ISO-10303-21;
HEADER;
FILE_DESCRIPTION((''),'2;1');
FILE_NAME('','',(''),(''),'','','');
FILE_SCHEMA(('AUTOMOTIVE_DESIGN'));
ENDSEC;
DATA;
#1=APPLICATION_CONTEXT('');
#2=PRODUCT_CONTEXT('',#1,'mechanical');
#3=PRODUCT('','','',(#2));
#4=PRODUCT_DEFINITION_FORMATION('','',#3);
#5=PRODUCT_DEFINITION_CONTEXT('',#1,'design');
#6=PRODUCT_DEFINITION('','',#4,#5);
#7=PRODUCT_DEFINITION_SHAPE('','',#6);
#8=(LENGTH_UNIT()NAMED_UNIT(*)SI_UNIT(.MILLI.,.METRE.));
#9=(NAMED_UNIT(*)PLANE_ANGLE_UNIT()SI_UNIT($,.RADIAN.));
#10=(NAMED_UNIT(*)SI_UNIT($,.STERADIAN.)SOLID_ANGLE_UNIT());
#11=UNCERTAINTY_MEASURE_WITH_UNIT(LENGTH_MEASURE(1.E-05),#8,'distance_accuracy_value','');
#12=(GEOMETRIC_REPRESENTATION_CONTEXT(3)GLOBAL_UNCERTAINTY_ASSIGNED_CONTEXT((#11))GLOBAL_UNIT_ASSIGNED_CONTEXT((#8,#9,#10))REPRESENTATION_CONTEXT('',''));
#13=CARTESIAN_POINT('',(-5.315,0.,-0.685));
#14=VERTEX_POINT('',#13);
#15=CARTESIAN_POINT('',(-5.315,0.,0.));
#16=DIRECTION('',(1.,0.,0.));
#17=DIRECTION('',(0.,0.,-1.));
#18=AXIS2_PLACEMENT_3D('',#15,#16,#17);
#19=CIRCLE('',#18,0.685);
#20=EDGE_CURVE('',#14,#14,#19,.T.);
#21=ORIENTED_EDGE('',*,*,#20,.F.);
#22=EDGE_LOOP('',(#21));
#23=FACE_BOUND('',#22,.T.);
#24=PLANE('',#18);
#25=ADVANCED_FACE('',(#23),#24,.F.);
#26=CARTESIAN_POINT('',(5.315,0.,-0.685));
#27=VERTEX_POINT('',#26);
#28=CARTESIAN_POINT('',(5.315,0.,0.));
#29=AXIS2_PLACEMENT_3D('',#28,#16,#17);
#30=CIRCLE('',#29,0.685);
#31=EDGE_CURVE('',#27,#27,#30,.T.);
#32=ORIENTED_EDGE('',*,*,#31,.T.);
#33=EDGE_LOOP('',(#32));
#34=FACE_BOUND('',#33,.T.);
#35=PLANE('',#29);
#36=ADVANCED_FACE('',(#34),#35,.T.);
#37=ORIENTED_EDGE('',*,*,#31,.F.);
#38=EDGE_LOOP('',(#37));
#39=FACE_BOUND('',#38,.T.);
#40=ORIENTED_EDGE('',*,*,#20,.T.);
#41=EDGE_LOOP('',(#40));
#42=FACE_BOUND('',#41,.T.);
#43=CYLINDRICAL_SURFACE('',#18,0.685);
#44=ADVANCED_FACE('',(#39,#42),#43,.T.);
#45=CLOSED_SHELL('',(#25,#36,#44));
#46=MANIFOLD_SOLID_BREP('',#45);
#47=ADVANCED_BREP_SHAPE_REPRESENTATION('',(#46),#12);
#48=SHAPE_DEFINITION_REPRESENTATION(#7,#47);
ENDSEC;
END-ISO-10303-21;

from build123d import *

# Parameters (mm, degrees)
BOSS_EXTRUDE1_DEPTH      = 5.315
BOSS_EXTRUDE1_DEPTH_BACK = 5.315
SKETCH2_R                = 0.685


with BuildPart() as part:
    # Sketch2 → Boss-Extrude1 (new, two sides: drawn at the far end of the back side and taken through both)
    with BuildSketch(Plane(origin=(0, 0, 0), x_dir=(0, 0, -1), z_dir=(1, 0, 0)).offset(-BOSS_EXTRUDE1_DEPTH_BACK)):
        Circle(SKETCH2_R)
    extrude(amount=BOSS_EXTRUDE1_DEPTH + BOSS_EXTRUDE1_DEPTH_BACK)


solid = part.part
